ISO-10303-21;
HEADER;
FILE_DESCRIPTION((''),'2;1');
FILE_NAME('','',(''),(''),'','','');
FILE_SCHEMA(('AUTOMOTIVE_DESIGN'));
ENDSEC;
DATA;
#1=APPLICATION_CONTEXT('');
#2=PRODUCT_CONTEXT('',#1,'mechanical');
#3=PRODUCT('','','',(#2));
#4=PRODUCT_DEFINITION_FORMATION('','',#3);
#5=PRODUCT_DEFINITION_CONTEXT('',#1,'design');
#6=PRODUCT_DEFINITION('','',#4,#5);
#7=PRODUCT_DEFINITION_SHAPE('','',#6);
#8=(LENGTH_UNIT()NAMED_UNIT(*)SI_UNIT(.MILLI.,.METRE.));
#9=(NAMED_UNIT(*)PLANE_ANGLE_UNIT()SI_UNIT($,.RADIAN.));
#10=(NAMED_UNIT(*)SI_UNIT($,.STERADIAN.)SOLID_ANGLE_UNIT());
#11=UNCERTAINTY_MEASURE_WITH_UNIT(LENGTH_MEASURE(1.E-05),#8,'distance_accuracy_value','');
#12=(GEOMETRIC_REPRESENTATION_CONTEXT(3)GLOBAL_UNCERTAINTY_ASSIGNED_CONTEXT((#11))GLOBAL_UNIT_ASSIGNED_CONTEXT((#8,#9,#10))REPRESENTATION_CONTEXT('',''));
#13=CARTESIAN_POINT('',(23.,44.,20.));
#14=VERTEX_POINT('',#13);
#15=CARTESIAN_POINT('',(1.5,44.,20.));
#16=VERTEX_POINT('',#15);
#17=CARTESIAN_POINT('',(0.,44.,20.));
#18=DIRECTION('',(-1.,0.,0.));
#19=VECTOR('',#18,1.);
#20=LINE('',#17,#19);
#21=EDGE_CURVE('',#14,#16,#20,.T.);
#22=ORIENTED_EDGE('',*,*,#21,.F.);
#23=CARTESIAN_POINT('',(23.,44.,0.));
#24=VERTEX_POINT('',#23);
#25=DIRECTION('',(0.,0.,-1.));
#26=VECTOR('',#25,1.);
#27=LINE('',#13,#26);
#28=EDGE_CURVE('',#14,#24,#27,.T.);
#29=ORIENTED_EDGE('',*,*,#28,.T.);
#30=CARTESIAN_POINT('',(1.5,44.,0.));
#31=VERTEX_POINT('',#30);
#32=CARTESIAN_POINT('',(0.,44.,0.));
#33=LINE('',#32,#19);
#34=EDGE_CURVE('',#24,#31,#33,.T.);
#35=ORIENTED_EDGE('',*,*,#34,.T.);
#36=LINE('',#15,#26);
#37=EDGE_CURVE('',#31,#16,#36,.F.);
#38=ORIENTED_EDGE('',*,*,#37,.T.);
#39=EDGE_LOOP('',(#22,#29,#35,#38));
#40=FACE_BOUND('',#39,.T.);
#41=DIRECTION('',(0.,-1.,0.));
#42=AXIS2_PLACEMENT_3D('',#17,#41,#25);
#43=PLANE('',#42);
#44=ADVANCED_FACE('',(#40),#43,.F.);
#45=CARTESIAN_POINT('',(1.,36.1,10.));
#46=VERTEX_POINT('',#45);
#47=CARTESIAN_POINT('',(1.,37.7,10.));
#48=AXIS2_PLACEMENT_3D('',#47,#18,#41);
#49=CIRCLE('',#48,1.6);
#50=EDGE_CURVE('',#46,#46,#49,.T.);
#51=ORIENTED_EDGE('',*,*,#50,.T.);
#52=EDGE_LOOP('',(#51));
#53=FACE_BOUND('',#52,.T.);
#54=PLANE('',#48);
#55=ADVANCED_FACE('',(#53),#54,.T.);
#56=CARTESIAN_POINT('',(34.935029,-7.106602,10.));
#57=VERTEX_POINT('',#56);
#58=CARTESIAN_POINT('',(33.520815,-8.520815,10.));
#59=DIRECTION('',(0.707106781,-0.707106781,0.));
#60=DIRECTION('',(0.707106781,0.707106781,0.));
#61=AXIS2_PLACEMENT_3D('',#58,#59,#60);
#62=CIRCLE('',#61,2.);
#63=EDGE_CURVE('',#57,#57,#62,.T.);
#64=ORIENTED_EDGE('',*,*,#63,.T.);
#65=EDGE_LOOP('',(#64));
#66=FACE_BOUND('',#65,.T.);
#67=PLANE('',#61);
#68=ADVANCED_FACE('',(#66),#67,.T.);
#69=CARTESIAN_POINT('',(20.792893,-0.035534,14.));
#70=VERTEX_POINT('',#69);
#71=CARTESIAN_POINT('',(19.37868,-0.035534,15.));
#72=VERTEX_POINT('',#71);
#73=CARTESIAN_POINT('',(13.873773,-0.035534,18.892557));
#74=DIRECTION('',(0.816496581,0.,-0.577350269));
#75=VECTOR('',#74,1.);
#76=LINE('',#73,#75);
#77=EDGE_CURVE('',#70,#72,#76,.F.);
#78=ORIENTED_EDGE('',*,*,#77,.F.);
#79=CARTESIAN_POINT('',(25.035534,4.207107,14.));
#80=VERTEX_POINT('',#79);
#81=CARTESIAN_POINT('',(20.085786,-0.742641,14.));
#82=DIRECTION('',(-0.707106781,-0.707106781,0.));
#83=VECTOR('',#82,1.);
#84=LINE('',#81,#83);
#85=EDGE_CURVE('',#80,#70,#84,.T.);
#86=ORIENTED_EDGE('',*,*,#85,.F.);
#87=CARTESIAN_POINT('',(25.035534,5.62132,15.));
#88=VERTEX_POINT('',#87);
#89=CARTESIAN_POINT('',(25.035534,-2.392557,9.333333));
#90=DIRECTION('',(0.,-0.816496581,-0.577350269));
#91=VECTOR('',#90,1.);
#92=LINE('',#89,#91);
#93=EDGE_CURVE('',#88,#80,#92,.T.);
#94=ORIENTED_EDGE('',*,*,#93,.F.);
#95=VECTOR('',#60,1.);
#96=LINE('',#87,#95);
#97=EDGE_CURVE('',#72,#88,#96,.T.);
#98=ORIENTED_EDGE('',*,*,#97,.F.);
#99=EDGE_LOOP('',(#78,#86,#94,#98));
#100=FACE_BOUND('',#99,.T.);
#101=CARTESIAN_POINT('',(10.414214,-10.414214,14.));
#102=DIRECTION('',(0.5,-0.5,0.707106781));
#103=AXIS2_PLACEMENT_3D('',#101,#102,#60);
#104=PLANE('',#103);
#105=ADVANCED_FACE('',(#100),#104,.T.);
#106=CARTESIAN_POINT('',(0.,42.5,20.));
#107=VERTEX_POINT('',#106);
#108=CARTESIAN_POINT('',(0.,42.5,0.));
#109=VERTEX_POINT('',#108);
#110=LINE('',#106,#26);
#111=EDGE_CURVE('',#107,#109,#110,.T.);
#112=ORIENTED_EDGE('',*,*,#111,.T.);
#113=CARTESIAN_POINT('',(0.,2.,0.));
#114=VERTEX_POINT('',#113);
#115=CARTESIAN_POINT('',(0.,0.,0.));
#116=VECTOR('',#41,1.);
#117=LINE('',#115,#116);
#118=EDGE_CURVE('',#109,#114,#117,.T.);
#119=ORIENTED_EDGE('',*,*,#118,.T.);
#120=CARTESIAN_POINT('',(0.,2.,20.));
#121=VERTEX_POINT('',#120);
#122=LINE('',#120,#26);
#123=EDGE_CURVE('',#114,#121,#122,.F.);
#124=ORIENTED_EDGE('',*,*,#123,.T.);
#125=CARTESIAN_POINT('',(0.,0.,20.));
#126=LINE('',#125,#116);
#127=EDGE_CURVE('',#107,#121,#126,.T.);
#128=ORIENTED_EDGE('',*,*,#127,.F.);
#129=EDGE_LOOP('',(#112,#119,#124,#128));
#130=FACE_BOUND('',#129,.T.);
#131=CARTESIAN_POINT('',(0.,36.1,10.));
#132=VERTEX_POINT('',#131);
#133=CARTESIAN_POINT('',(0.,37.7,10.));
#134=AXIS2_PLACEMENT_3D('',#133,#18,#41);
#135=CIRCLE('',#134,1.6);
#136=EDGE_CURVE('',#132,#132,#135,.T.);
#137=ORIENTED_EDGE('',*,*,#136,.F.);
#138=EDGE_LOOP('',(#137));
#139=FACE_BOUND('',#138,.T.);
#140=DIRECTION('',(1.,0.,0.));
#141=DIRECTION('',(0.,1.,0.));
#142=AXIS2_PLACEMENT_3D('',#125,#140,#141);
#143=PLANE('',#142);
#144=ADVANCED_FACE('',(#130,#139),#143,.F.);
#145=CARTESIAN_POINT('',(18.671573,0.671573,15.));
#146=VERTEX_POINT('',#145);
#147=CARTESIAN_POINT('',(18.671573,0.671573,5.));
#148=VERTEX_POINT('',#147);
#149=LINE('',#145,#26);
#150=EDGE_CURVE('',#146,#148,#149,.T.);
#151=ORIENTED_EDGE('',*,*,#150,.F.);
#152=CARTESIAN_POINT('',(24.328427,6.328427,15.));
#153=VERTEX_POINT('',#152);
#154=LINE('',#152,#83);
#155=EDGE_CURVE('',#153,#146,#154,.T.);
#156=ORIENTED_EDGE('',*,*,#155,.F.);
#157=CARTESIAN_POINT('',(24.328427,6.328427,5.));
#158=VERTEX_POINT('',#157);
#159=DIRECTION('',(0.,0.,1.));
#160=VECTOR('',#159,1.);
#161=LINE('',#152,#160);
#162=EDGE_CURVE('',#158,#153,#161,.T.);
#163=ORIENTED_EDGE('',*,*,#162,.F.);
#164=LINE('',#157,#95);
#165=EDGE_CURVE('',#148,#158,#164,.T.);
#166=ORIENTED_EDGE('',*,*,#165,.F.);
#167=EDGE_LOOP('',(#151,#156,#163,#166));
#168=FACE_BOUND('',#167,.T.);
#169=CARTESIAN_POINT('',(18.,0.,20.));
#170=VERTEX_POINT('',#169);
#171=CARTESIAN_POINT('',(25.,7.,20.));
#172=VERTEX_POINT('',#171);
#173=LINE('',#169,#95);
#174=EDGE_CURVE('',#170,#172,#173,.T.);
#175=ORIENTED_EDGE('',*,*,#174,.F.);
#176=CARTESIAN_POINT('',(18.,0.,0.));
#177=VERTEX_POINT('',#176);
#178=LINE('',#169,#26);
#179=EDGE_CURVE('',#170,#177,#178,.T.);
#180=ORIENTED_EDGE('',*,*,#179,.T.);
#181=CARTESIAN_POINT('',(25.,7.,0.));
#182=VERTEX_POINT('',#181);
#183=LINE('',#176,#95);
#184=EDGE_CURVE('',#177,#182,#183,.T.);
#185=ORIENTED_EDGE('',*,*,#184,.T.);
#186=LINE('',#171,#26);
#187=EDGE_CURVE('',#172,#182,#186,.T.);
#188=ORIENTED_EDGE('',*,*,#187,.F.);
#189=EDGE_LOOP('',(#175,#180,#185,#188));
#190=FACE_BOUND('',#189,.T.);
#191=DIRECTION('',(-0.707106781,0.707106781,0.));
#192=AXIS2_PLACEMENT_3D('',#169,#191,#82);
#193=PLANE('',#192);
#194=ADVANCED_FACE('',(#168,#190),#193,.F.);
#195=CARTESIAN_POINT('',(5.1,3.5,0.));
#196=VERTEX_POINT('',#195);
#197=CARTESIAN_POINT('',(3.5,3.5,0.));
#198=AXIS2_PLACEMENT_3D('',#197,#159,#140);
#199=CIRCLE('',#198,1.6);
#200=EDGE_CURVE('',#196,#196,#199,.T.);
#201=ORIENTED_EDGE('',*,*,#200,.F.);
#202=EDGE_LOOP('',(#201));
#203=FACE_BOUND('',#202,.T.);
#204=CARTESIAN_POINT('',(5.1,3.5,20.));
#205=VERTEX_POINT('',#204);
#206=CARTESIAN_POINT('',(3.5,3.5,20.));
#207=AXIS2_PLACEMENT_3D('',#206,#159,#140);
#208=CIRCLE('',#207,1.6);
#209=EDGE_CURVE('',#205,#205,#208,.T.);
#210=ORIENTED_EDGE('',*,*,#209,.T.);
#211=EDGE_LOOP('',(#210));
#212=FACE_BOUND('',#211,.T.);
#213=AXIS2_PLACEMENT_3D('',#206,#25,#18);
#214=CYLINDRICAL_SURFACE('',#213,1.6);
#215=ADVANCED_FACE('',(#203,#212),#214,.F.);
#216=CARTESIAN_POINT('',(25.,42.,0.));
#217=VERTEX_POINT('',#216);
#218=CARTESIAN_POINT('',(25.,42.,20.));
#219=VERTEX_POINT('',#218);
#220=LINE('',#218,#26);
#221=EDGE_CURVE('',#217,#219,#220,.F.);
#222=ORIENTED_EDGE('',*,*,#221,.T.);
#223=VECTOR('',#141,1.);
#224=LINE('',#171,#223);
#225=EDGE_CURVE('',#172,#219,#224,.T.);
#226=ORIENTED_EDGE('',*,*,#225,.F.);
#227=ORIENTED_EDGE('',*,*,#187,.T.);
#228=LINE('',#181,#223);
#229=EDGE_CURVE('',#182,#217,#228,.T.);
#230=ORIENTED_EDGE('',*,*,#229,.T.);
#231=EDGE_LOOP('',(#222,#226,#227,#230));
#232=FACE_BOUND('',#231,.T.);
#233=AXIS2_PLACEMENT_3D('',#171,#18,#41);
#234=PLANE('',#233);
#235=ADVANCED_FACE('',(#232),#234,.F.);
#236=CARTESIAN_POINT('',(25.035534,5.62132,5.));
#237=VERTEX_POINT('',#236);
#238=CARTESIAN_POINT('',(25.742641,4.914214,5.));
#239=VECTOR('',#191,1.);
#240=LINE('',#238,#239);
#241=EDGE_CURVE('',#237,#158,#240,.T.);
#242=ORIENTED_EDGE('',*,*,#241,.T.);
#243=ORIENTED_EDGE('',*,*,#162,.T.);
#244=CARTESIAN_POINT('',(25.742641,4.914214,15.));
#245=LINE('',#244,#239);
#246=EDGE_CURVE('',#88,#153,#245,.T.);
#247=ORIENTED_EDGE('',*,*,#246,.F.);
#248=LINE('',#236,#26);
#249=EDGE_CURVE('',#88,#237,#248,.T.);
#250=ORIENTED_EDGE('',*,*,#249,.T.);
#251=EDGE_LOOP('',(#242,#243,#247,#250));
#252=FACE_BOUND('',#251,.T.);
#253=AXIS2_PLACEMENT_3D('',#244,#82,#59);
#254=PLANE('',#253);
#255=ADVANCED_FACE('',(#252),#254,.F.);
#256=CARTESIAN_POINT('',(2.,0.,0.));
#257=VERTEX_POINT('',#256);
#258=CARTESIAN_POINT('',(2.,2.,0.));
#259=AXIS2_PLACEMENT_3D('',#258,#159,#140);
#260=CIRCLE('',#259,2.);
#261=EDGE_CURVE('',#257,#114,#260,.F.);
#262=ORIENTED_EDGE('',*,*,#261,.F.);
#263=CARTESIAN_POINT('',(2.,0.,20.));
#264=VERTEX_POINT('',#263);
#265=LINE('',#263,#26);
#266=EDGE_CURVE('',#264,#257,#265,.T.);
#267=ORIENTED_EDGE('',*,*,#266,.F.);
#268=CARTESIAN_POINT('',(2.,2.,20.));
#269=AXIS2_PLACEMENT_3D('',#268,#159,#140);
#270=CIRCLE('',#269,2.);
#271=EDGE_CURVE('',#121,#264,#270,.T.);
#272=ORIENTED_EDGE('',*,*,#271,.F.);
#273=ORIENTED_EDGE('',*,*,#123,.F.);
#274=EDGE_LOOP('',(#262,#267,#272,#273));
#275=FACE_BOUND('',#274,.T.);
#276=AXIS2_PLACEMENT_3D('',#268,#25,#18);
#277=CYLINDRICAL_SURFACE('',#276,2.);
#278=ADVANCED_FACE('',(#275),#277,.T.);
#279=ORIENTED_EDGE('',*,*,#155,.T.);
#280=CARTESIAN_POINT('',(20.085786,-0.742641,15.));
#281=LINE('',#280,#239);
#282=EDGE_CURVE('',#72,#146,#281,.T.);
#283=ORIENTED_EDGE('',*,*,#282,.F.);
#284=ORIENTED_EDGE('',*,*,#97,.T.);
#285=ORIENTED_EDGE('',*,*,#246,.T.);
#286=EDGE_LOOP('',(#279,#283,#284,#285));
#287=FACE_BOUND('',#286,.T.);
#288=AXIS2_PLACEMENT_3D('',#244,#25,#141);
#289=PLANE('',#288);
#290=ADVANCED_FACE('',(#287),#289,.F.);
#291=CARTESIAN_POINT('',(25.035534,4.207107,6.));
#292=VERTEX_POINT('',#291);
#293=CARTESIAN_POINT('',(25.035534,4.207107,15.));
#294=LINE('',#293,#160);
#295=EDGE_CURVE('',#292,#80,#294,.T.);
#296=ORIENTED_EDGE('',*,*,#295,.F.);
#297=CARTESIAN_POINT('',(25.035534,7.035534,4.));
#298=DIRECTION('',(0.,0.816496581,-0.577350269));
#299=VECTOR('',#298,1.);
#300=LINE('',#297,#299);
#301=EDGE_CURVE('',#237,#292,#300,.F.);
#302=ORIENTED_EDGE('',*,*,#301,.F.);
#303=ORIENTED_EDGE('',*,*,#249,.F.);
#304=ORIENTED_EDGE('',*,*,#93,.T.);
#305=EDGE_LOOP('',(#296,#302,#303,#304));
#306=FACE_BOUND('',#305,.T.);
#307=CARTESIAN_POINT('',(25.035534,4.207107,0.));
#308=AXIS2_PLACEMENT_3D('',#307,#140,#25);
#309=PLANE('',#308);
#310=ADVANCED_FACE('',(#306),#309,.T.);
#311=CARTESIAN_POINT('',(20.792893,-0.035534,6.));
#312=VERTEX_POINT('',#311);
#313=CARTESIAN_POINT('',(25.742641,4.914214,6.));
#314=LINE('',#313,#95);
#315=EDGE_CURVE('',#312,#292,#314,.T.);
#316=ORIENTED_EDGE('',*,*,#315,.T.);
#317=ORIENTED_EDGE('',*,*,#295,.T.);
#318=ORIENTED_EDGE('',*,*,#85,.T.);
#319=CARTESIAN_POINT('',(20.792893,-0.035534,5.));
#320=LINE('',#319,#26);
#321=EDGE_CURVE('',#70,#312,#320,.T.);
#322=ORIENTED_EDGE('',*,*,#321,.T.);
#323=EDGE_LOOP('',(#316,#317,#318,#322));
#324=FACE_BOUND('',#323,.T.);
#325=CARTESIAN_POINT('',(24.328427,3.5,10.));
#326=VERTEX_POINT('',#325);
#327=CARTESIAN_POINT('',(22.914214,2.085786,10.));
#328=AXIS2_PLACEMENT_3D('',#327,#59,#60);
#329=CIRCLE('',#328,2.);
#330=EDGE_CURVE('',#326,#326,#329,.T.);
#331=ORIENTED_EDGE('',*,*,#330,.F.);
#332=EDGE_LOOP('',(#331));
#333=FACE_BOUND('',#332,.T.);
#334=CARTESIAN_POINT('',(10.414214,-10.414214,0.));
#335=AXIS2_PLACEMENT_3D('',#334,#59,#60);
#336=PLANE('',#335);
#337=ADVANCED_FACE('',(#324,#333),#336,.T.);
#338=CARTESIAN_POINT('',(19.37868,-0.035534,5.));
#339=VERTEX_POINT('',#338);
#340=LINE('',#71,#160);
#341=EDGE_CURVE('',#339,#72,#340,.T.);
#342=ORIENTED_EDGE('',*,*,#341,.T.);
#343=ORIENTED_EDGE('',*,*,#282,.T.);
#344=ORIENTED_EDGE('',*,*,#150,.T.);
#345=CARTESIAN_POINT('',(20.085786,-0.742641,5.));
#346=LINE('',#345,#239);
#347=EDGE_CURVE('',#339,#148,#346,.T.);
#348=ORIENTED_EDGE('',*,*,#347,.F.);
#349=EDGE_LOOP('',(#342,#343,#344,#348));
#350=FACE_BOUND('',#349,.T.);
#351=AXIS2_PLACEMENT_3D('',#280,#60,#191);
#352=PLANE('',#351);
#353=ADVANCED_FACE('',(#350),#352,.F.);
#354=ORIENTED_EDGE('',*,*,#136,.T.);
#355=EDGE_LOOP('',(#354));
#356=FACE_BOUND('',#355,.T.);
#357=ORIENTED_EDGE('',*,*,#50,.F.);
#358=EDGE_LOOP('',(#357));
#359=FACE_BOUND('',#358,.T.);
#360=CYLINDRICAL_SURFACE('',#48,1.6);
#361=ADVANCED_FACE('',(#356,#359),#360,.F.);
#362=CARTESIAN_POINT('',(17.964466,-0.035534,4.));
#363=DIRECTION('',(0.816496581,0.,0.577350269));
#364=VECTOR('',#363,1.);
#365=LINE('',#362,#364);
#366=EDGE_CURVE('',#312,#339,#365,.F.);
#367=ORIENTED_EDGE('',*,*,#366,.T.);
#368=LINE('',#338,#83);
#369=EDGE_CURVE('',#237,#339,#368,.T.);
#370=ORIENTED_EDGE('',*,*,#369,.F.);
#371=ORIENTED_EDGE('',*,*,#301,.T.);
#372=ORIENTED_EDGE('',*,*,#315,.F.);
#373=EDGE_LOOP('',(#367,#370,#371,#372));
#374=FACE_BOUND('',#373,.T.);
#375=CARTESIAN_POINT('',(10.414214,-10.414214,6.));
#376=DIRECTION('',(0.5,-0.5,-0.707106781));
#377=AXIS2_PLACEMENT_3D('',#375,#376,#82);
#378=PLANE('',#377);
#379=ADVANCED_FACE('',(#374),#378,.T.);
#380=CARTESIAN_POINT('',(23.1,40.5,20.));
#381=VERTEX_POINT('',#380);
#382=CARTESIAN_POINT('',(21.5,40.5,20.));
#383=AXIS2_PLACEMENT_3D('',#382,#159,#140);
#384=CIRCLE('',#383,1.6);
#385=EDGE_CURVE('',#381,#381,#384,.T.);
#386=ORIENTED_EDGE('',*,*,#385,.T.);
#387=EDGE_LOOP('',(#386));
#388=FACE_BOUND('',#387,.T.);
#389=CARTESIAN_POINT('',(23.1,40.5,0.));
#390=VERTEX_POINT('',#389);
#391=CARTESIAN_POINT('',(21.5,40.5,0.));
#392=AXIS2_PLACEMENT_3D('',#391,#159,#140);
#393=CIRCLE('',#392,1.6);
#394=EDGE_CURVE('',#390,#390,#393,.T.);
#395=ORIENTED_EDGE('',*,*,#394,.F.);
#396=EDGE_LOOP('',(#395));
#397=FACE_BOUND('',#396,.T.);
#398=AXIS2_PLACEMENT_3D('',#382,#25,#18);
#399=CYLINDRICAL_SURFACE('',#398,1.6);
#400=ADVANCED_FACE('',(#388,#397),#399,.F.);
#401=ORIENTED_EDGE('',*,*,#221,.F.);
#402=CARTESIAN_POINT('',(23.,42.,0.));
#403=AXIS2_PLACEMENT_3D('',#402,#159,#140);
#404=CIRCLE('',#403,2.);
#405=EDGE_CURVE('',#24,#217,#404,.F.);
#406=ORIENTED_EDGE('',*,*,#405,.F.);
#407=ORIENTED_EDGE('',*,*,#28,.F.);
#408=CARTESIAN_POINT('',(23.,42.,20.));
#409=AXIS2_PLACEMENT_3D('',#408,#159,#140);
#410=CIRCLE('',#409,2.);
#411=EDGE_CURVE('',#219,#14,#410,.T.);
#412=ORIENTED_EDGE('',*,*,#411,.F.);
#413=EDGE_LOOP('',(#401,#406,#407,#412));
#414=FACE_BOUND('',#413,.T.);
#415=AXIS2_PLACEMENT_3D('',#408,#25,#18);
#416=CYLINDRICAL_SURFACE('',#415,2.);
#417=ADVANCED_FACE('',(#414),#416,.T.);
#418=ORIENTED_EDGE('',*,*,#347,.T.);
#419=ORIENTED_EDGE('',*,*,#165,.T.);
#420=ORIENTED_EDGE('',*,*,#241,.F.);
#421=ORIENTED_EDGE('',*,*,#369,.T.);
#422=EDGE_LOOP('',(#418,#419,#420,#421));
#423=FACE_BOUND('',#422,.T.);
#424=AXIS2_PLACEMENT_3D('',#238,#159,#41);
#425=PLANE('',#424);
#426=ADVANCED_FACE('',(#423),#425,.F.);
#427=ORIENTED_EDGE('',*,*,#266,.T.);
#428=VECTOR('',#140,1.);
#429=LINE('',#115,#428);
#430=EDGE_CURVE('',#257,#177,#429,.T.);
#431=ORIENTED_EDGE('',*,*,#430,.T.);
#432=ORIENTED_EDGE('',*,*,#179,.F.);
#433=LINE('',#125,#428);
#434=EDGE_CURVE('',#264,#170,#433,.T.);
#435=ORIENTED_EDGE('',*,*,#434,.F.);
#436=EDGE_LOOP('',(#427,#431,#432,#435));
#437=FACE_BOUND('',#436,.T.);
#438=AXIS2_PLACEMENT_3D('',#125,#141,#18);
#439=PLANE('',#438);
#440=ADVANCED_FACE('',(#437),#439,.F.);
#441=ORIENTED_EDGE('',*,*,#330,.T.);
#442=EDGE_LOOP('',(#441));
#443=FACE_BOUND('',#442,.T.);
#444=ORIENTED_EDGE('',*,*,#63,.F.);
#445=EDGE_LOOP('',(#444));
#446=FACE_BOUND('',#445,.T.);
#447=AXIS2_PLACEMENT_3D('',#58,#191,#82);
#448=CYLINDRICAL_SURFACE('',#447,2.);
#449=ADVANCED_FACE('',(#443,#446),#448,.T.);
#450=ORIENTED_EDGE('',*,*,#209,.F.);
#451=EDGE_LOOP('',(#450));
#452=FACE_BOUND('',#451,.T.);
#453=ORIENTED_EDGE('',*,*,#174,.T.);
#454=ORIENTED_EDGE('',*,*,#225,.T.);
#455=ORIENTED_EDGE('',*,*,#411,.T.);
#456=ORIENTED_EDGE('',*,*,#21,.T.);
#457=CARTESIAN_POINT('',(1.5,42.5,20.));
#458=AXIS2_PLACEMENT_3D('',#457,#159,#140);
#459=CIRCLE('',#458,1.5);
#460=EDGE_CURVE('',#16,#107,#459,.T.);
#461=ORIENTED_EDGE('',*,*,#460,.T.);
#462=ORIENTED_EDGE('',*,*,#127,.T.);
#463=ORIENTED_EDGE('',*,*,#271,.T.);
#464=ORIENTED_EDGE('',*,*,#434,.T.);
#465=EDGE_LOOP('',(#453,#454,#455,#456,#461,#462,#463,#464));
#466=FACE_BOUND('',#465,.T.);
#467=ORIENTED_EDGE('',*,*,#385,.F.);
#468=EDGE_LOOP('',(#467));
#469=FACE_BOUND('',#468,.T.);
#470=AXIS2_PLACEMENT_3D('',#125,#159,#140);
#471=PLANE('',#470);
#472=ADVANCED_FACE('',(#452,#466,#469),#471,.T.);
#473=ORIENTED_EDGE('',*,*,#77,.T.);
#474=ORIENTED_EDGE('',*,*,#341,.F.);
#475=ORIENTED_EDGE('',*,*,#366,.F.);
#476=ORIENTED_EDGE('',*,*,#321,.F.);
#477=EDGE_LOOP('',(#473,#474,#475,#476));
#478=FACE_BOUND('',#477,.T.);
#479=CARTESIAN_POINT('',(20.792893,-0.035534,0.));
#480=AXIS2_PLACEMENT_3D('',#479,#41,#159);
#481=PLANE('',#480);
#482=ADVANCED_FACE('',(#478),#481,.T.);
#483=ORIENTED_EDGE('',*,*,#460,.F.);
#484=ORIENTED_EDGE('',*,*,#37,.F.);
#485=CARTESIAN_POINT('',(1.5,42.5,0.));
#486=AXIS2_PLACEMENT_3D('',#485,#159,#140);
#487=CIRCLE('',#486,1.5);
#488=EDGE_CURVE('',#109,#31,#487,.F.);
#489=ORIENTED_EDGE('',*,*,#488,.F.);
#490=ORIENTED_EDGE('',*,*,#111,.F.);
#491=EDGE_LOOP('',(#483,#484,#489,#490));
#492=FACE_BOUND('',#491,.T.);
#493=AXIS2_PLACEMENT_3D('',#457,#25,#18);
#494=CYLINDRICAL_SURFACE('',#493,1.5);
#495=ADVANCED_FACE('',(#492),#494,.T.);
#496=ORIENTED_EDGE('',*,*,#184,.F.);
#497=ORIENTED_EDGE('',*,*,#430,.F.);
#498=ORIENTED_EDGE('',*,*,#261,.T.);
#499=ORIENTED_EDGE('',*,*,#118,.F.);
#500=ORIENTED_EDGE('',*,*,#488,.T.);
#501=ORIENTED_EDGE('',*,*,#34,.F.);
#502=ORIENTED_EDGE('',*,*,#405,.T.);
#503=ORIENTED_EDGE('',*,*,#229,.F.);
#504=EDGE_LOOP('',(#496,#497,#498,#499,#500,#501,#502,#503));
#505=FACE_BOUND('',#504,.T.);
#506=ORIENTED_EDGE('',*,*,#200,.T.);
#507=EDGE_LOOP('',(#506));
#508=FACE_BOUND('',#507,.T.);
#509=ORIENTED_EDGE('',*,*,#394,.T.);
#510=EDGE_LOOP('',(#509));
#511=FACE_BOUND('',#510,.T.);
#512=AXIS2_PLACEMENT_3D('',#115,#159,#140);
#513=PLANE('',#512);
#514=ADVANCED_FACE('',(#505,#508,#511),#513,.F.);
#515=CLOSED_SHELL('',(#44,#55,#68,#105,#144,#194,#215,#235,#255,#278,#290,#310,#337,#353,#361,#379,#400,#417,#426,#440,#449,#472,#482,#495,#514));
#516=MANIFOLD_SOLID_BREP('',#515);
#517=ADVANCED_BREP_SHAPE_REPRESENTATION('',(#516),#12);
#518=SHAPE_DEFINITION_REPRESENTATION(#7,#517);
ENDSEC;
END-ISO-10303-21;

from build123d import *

# Parameters (mm, degrees)
SKETCH_1_R          = 1.6
EXTRUDE_1_DEPTH     = 20
SKETCH_2_R          = 1.6
CUT_EXTRUDE_1_DEPTH = 1
FILLET_1_R          = 1.5
FILLET_2_R          = 2
SKETCH_3_W          = 10
SKETCH_3_H          = 8
EXTRUDE_2_DEPTH     = 2
CHAMFER_1_SIZE      = 1
SKETCH_4_R          = 2
EXTRUDE_3_DEPTH     = 15


with BuildPart() as part:
    # 草图1 → 凸台-拉伸1 (new body)
    with BuildSketch(Plane.XY):
        Polygon((0, 0), (0, 44), (25, 44), (25, 7), (18, 0), align=None)
        with Locations((21.5, 40.5)):
            Circle(SKETCH_1_R, mode=Mode.SUBTRACT)
        with Locations((3.5, 3.5)):
            Circle(SKETCH_1_R, mode=Mode.SUBTRACT)
    extrude(amount=EXTRUDE_1_DEPTH)

    # 草图2 → 切除-拉伸1 (cut)
    with BuildSketch(Plane.ZY):
        with Locations(Location((10, 37.7, 0), (0, 0, 270))):
            Circle(SKETCH_2_R)
    extrude(amount=-CUT_EXTRUDE_1_DEPTH, mode=Mode.SUBTRACT)

    # 圆角1
    fillet_1_edges = [part.edges().sort_by_distance(p)[0] for p in [
        (0, 44, 10),
    ]]
    fillet(fillet_1_edges, radius=FILLET_1_R)

    # 圆角2
    fillet_2_edges = [part.edges().sort_by_distance(p)[0] for p in [
        (0, 0, 10),
        (25, 44, 10),
    ]]
    fillet(fillet_2_edges, radius=FILLET_2_R)

    # 草图3 → 凸台-拉伸2 (add)
    with BuildSketch(Plane(origin=(9, -9, 0), x_dir=(0, 0, -1), z_dir=(0.7071067811865487, -0.7071067811865464, 0))):
        with Locations((-10, 17.67766953)):
            Rectangle(SKETCH_3_W, SKETCH_3_H)
    extrude(amount=EXTRUDE_2_DEPTH)

    # 倒角1
    chamfer_1_edges = [part.edges().sort_by_distance(p)[0] for p in [
        (22.914213562, 2.085786438, 5),
        (25.742640687, 4.914213562, 10),
        (22.914213562, 2.085786438, 15),
        (20.085786438, -0.742640687, 10),
    ]]
    chamfer(chamfer_1_edges, length=CHAMFER_1_SIZE)

    # 草图4 → 凸台-拉伸3 (add)
    with BuildSketch(Plane(origin=(10.414213562, -10.414213562, 0), x_dir=(0, 0, -1), z_dir=(0.7071067811865485, -0.7071067811865467, 0))):
        with Locations(Location((-10, 17.67766953, 0), (0, 0, 90))):
            Circle(SKETCH_4_R)
    extrude(amount=EXTRUDE_3_DEPTH)


solid = part.part
